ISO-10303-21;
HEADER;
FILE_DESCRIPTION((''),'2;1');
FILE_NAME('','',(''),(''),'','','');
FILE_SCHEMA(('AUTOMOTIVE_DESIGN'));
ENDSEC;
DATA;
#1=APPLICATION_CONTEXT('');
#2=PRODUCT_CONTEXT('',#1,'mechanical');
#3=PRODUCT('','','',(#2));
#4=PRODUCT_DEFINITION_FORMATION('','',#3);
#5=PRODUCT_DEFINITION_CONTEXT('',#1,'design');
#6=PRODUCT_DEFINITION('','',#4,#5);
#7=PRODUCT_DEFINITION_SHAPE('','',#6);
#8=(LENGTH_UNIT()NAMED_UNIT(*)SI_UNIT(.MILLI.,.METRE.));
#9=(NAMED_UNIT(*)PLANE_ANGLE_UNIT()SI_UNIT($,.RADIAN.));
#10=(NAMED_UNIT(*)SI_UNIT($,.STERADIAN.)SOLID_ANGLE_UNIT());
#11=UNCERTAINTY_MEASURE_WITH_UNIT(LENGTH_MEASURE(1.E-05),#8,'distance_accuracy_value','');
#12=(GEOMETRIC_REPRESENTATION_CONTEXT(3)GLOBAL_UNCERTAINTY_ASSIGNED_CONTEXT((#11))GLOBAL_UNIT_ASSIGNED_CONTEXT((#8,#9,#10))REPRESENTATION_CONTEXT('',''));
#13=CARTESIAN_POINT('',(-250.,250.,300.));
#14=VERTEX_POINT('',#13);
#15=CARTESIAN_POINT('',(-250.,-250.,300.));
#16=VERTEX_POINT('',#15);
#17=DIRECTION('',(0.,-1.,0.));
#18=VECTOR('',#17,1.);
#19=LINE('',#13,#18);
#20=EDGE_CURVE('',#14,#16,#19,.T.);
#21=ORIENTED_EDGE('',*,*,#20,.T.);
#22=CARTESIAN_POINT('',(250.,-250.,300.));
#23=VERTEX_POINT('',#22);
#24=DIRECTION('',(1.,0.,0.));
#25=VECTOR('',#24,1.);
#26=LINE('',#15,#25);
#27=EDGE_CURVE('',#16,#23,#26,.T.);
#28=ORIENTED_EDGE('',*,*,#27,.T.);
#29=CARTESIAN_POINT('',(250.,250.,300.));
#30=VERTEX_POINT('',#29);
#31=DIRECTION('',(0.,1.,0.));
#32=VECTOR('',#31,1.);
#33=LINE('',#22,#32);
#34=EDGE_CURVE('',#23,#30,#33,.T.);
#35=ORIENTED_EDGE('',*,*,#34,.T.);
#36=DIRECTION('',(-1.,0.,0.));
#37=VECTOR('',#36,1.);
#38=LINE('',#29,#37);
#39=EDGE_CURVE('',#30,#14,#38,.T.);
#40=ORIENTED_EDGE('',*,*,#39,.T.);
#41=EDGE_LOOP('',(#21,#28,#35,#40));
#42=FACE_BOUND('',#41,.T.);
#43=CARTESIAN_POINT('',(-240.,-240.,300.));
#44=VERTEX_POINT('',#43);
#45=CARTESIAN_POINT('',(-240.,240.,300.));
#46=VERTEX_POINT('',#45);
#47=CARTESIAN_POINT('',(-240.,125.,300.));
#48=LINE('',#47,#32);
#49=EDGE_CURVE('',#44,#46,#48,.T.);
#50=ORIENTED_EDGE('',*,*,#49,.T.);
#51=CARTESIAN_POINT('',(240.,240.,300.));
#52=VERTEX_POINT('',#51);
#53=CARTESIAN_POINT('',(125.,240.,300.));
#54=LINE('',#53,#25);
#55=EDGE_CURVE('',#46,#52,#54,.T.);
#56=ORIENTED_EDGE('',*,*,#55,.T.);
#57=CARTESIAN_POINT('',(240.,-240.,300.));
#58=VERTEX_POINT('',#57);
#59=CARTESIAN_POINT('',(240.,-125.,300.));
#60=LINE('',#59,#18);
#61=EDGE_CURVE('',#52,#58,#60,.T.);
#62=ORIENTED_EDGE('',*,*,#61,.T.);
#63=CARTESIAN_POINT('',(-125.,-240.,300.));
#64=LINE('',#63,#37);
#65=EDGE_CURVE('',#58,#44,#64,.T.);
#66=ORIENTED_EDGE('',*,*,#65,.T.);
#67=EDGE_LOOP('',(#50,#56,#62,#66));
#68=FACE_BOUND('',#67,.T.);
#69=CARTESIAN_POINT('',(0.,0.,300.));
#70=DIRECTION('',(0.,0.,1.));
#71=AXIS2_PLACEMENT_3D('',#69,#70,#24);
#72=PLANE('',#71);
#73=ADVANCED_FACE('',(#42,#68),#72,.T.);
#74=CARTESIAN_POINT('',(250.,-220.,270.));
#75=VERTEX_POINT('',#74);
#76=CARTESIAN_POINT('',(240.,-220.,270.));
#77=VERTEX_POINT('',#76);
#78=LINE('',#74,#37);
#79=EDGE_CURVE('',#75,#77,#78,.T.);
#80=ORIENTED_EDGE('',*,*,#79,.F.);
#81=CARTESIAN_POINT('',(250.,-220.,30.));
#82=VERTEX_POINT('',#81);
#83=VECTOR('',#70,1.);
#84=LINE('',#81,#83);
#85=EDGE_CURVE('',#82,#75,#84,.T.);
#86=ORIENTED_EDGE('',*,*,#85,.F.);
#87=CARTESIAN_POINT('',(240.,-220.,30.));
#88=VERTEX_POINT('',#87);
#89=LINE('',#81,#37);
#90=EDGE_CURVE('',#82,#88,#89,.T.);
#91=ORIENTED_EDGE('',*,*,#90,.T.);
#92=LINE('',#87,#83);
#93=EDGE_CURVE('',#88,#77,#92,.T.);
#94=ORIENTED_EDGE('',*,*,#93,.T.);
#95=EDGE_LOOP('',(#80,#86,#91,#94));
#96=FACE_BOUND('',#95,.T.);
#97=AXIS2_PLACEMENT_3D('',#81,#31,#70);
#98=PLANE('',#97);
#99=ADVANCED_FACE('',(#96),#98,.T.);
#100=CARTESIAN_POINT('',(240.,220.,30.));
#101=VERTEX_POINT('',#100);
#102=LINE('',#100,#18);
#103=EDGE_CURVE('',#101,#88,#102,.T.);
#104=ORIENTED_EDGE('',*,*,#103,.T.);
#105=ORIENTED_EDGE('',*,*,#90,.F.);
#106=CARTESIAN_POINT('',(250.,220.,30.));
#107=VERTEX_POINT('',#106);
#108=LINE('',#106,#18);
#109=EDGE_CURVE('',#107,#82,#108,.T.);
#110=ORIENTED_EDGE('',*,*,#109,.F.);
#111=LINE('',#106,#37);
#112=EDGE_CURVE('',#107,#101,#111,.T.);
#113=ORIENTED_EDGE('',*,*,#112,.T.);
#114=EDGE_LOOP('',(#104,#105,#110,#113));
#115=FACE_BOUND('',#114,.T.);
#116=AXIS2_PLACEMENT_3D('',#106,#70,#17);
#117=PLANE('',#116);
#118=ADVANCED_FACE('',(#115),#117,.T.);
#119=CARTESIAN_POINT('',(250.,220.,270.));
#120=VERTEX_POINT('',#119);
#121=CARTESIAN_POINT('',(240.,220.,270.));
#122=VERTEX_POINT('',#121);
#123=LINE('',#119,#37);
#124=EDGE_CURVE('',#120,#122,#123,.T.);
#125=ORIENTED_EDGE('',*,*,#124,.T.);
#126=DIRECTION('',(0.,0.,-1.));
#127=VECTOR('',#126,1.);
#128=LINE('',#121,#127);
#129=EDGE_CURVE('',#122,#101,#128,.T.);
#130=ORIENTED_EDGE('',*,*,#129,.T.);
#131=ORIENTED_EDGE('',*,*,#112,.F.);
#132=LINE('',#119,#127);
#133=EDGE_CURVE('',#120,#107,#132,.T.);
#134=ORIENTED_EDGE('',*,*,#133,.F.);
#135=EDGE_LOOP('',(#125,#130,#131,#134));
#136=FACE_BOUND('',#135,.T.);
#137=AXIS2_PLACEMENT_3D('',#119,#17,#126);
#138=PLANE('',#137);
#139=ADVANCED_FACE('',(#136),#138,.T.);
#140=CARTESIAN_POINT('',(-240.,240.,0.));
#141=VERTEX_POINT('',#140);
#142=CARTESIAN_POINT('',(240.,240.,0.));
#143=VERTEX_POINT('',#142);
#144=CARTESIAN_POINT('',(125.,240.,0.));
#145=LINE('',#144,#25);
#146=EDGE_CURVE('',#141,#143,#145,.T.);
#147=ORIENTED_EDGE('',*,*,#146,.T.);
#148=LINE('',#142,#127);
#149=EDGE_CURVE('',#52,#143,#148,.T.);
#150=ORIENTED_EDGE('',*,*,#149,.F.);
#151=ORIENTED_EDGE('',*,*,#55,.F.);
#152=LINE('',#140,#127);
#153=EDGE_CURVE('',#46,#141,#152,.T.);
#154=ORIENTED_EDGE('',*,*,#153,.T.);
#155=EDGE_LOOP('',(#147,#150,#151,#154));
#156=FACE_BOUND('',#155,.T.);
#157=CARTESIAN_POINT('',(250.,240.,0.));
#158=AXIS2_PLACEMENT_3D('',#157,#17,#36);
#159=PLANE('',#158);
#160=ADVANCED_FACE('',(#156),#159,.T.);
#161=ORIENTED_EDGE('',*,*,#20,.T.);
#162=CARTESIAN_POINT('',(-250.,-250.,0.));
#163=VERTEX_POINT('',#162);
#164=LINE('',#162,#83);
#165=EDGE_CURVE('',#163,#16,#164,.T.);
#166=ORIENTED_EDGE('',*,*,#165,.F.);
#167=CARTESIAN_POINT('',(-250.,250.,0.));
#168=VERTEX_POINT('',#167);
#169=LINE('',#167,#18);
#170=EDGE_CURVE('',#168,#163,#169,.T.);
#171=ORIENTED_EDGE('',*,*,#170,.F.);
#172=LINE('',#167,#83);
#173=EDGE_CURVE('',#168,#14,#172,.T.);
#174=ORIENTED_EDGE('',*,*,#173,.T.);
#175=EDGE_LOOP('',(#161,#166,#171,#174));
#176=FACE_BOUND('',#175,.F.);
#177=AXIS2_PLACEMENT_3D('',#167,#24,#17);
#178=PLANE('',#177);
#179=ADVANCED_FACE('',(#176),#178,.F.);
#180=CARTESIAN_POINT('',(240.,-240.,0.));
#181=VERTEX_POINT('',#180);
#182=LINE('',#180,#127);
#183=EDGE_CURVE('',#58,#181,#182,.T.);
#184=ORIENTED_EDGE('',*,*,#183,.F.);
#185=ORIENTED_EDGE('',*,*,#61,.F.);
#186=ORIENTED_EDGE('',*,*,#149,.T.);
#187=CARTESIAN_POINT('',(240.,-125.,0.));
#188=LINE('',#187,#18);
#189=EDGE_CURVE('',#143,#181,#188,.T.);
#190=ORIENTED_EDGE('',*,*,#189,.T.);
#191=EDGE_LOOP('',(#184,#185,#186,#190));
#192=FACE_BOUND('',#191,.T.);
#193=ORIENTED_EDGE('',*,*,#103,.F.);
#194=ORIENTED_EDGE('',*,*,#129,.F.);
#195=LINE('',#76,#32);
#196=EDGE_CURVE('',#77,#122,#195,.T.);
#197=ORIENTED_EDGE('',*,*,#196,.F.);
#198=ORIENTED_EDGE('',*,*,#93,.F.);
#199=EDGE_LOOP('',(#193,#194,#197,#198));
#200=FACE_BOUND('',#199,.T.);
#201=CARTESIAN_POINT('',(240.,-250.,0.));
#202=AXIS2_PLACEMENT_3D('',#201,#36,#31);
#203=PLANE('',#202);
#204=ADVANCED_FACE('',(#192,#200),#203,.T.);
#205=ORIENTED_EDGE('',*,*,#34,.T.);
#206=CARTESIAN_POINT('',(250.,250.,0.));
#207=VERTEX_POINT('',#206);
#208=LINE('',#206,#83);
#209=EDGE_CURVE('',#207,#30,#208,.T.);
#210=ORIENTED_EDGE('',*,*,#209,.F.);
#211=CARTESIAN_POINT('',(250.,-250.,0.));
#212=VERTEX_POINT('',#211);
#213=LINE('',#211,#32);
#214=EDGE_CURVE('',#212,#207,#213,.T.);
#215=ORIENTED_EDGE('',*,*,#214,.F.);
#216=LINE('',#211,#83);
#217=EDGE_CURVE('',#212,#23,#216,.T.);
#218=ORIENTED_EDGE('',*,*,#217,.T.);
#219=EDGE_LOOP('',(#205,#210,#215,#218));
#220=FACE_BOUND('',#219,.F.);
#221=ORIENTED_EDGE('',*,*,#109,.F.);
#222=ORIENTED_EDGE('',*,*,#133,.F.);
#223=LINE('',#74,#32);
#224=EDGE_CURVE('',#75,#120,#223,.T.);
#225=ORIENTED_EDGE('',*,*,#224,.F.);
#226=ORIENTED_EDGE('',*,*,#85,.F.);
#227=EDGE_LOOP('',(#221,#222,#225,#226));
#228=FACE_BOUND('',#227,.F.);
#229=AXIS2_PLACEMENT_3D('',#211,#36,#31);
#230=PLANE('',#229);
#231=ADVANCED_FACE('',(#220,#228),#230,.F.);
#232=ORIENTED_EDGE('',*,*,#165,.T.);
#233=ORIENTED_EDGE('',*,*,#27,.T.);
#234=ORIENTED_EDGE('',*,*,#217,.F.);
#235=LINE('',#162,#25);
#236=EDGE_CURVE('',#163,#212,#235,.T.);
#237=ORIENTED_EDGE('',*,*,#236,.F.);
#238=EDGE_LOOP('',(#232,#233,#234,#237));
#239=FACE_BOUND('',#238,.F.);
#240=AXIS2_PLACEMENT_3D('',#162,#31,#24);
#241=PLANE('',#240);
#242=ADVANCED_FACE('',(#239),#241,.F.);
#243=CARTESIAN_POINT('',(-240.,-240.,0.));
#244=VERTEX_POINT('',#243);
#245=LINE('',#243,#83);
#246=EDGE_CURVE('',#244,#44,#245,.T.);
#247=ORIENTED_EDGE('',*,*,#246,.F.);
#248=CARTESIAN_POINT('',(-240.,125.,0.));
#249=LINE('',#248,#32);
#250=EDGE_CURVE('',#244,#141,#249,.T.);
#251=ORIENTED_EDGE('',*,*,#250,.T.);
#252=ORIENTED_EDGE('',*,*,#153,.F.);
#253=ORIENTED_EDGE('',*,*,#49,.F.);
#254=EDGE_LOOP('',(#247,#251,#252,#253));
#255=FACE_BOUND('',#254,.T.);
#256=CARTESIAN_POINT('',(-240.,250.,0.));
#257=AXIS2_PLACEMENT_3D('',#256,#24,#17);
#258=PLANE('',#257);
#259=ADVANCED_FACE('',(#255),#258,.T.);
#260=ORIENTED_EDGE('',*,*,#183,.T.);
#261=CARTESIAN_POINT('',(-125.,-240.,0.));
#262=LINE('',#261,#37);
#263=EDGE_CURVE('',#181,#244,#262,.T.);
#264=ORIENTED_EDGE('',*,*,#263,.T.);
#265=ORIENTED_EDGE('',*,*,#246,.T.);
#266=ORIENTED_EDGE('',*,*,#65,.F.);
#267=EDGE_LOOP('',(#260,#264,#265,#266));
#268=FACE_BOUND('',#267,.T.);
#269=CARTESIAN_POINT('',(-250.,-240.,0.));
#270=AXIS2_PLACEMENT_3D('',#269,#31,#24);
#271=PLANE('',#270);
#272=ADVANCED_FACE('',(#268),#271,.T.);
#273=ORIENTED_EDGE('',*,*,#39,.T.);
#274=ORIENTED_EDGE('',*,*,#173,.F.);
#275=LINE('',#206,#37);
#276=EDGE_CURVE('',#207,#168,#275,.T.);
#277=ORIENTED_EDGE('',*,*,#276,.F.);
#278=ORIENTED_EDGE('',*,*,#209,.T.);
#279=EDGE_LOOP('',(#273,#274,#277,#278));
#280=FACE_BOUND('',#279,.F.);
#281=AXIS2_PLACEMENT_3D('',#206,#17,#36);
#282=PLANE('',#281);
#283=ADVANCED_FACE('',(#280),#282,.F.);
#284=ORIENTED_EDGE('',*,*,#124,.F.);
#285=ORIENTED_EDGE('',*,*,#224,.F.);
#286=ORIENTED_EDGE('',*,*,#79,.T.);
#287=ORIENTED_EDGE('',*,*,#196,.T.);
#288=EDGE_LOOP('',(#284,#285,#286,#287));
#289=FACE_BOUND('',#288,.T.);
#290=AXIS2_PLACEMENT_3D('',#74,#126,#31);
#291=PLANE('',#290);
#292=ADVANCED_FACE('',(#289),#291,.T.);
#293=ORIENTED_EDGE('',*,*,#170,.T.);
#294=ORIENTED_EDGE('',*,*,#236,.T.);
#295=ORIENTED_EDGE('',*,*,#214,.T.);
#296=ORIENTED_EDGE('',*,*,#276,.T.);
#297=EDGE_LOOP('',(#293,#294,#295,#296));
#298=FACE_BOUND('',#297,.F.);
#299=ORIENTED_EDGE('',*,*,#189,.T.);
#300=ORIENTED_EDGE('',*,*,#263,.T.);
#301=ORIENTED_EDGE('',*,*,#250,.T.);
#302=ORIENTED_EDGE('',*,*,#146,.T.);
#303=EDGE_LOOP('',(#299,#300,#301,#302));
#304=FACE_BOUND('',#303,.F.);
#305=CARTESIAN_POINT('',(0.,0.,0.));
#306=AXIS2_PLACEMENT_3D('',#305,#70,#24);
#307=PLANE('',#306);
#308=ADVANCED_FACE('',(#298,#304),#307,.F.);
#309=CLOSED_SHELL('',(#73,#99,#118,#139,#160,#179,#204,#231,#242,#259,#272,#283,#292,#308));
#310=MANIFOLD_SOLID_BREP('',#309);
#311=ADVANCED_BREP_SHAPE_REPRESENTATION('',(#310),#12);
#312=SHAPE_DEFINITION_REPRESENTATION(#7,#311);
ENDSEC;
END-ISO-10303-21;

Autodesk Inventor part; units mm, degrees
ref_plane "YZ Plane" through (0, 0, 0) normal (1, 0, 0) x (0, 1, 0)
ref_plane "XZ Plane" through (0, 0, 0) normal (0, 1, 0) x (-1, 0, 0)
ref_plane "XY Plane" through (0, 0, 0) normal (0, 0, 1) x (1, 0, 0)
sketch "Sketch1" plane through (0, 0, 0) normal (0, 0, 1) x (1, 0, 0)
  line L0 (-250, -250) -> (250, -250)
  line L1 (250, -250) -> (250, 250)
  line L2 (250, 250) -> (-250, 250)
  line L3 (-250, 250) -> (-250, -250)
  line L4 (-250, -250) -> (250, 250) construction
  line L5 (250, -250) -> (-250, 250) construction
  point P0 (0, 0)
  dimension "d0" = 500
  dimension "d1" = 500
extrude "Extrusion1" add sketch "Sketch1" along normal blind 300
shell "Shell1" thickness 10 removed faces 2 at (83.3333, -83.3333, 0) at (83.3333, -83.3333, 300)
sketch "Sketch2" plane through (0, 0, 0) normal (1, 0, 0) x (0, 1, 0)
  line L0 (-250, 0) -> (250, 0) construction
  line L1 (250, 0) -> (250, 300) construction
  line L2 (-250, 300) -> (250, 300) construction
  line L3 (-250, 0) -> (-250, 300) construction
  line L4 (-250, 0) -> (-250, 300) construction
  line L5 (-250, 150) -> (250, 150) construction
  circle A0 centre (0, 150) radius 30
  arc A1 (205, 115) -> (17.4379, 125.5885) centre (104.6273, 3.5311) ccw
  arc A2 (160.6867, 200) -> (-12.382, 177.3256) centre (111.438, -95.93) ccw
  arc A3 (205, 115) -> (160.6867, 200) centre (150.8369, 140.814) ccw
  point P0 (0, 0)
  dimension "d5" = 60
  dimension "d6" = 300
  dimension "d7" = 150
  dimension "d8" = 60
  dimension "d9" = 35
  dimension "d10" = 205
  dimension "d11" = 50
extrude "Extrusion2" [suppressed]
pattern_linear "Rectangular Pattern1" [suppressed]
pattern_circular "Circular Pattern1" [suppressed]
sketch "Sketch3" plane through (250, -250, 0) normal (1, 0, 0) x (0, 0, -1)
  line L0 (0, 0) -> (0, 500) projected
  line L1 (0, 500) -> (-300, 500) projected
  line L2 (-300, 0) -> (-300, 500) projected
  line L3 (0, 0) -> (-300, 0) projected
  line L4 (-270, 470) -> (-30, 470)
  line L5 (-30, 470) -> (-30, 30)
  line L6 (-30, 30) -> (-270, 30)
  line L7 (-270, 30) -> (-270, 470)
  point P0 (0, 250)
  dimension "d20" = 30
extrude "Extrusion3" cut sketch "Sketch3" against normal up to surface (10 mm away) contours L4 L5 L6 L7
properties part number "NDM-VOS dummy6"
